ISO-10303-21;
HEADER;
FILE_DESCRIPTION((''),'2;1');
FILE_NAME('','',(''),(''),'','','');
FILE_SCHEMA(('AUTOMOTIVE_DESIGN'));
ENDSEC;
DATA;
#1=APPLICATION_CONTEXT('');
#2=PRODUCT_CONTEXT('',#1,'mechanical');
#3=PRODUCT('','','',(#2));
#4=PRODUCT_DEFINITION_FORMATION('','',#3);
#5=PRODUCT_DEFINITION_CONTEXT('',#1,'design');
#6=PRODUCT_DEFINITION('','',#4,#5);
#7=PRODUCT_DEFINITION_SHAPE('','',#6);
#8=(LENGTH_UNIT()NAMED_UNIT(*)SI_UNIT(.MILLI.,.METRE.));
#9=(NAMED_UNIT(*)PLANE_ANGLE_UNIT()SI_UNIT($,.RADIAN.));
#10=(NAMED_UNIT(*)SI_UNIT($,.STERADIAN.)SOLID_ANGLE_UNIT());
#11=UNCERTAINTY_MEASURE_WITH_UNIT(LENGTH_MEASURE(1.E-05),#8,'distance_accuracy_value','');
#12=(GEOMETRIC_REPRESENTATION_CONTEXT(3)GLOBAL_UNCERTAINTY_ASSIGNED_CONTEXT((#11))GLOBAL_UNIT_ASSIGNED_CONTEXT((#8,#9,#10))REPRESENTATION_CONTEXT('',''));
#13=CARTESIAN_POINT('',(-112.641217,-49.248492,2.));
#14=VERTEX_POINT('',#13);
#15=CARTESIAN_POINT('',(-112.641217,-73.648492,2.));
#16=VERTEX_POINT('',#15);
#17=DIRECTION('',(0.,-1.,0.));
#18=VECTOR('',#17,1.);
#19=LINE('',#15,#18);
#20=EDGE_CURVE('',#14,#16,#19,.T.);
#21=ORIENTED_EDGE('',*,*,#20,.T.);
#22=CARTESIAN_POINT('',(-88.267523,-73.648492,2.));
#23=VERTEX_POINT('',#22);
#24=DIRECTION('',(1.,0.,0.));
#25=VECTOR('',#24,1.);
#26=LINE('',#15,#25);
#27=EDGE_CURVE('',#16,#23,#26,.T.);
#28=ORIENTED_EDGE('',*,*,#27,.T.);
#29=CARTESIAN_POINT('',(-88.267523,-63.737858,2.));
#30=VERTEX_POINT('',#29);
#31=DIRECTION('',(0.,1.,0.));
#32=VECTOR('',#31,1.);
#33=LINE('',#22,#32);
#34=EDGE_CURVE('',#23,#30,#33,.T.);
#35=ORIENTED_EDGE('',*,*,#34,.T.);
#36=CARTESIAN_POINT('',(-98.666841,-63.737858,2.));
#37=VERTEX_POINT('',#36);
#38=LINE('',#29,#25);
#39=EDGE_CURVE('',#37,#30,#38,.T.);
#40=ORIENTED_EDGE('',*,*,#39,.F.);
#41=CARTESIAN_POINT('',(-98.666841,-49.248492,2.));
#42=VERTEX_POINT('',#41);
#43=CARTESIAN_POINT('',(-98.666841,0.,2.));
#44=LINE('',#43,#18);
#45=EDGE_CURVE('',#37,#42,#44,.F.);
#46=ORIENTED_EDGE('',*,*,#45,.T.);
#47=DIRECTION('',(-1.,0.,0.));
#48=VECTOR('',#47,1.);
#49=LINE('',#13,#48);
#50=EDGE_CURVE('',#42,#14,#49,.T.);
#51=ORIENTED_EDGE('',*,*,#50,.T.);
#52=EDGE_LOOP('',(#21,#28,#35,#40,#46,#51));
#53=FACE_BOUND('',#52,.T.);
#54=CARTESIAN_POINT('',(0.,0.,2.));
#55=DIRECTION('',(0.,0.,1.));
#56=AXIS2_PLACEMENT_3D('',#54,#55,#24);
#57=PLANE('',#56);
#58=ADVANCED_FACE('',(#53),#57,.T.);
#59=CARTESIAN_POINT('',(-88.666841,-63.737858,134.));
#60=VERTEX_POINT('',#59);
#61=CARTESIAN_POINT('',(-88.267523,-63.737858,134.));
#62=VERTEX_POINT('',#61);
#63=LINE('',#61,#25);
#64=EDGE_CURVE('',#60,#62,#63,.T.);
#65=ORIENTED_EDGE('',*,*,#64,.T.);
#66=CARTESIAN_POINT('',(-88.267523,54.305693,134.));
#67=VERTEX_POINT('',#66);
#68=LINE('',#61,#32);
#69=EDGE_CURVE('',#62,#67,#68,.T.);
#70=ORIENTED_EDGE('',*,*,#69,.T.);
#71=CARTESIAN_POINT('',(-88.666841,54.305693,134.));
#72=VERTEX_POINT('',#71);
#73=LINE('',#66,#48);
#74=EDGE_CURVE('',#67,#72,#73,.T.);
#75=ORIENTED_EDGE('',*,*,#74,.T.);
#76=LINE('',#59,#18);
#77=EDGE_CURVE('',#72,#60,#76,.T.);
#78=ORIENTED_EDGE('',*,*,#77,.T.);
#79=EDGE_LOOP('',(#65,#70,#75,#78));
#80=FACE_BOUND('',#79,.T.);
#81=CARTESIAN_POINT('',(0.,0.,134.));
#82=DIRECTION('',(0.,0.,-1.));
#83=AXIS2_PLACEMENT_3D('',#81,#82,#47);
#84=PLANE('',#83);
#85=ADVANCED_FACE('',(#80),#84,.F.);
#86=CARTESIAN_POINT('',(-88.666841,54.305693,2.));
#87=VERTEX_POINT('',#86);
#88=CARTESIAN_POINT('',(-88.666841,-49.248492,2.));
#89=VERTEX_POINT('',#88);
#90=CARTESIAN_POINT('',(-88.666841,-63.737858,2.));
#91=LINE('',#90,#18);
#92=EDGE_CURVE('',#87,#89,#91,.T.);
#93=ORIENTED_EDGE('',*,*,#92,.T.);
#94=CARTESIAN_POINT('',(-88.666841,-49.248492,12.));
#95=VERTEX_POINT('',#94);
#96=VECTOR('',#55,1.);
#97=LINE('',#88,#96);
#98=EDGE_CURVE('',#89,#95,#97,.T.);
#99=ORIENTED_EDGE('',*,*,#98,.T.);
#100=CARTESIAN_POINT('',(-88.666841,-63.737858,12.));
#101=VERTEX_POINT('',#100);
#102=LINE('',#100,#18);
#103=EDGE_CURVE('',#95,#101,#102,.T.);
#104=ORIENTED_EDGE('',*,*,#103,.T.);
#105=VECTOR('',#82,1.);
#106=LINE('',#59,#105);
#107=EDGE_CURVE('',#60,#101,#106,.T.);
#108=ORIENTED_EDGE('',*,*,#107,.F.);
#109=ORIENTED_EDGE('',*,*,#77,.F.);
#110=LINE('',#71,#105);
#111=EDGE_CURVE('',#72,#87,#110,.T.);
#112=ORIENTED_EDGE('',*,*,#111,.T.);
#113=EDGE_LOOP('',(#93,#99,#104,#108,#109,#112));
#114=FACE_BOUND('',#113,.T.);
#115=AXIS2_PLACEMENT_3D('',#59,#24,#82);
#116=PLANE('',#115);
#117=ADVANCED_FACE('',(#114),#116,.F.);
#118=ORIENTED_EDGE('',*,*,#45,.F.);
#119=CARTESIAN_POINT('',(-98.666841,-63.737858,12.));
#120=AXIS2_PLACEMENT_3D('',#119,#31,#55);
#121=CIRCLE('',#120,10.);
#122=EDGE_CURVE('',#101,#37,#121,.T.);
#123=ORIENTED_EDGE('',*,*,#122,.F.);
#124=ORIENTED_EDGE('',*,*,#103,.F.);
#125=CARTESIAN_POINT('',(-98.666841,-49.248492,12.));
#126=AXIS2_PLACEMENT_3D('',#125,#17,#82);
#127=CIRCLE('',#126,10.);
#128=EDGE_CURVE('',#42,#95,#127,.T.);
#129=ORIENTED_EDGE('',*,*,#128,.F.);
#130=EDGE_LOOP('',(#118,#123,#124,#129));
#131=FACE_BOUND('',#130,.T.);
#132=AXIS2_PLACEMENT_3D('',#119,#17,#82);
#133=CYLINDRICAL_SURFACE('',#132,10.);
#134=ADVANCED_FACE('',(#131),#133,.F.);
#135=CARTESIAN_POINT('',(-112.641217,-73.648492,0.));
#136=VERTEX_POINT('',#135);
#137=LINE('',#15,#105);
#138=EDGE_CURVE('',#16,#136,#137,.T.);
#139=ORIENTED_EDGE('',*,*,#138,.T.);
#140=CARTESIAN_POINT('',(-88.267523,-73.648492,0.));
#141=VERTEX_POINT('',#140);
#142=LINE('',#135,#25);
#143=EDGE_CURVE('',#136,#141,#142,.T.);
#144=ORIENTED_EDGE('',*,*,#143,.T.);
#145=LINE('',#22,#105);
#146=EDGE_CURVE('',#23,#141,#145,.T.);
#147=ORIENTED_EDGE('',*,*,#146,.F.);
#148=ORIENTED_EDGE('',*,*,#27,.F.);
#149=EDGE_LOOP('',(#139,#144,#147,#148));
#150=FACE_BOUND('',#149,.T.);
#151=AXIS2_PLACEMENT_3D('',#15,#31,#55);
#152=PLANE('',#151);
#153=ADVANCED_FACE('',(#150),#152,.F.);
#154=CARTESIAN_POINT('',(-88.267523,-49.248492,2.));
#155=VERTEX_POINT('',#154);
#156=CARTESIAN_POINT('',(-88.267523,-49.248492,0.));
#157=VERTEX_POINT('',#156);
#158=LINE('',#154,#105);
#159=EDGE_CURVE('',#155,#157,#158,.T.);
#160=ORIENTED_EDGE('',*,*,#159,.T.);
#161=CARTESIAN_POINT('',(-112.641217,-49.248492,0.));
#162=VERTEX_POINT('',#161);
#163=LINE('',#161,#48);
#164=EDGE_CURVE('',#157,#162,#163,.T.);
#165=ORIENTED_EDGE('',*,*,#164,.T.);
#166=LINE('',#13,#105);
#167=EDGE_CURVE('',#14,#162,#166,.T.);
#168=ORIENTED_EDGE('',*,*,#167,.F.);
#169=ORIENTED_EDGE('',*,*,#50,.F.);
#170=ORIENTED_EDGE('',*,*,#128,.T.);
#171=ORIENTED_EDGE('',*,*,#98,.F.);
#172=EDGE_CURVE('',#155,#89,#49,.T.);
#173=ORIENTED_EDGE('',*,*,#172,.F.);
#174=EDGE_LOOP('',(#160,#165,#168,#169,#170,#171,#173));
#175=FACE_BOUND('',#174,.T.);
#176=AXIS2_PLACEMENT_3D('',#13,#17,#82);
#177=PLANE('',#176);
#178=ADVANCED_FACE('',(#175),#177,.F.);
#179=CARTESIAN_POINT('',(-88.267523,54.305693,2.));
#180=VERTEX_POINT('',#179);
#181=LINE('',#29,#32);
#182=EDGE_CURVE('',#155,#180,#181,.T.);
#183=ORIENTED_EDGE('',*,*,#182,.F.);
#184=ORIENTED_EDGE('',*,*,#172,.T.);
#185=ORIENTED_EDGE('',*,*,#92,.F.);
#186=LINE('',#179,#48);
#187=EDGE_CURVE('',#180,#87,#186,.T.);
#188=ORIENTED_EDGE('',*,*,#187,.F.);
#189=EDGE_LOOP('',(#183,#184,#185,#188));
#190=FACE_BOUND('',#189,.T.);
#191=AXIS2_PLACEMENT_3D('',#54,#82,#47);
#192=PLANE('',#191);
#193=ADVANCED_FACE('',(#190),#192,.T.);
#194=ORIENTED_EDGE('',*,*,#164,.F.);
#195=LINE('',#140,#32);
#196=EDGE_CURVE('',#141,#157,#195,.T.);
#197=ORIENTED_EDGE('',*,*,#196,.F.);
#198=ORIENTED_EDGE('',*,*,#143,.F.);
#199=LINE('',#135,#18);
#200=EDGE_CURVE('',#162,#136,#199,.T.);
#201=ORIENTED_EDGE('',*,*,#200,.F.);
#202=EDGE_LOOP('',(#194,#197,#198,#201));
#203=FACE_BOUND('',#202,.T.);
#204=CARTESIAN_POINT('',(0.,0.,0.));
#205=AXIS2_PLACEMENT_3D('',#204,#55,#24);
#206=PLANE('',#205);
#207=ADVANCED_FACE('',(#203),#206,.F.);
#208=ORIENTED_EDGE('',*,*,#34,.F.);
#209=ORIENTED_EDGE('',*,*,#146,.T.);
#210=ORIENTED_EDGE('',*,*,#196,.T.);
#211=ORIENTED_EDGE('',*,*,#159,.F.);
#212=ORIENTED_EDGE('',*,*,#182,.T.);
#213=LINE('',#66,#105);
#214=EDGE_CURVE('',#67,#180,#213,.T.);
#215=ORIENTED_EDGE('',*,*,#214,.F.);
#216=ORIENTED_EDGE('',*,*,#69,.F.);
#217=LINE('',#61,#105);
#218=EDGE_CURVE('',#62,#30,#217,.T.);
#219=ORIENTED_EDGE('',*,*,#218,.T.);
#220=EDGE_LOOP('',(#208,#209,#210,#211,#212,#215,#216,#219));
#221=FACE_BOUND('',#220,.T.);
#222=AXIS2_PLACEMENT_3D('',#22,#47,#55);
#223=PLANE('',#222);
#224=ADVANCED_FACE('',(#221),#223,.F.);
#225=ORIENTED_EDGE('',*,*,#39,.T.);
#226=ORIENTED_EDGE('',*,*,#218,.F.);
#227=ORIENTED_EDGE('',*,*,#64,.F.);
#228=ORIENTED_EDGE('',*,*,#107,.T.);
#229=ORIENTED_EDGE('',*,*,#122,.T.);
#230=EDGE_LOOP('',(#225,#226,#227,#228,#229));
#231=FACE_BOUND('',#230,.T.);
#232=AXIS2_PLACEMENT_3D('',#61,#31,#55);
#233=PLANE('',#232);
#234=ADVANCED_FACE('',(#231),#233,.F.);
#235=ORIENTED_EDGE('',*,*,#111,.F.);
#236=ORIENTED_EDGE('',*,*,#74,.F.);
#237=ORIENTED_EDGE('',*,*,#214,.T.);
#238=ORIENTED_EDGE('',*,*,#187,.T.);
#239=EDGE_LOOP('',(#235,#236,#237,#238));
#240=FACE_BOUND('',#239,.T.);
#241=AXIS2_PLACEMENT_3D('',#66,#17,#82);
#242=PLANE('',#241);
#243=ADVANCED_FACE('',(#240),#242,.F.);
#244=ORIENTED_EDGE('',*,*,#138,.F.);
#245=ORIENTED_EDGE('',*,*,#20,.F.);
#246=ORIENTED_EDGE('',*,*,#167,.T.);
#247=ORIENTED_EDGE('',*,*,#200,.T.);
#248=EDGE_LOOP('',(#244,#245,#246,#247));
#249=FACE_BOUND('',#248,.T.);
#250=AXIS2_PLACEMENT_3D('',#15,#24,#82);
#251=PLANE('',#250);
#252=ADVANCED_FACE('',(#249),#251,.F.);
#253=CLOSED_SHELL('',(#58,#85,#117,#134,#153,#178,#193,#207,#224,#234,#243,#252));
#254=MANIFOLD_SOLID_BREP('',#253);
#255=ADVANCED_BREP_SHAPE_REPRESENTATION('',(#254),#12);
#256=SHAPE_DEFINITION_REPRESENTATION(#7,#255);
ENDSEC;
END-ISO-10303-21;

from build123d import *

# Parameters (mm, degrees)
SKETCH_1_W      = 24.373693789
SKETCH_1_H      = 24.4
EXTRUDE_1_DEPTH = 2
SKETCH_2_W      = 0.399318558
SKETCH_2_H      = 118.043550316
EXTRUDE_2_DEPTH = 132
FILLET_1_R      = 10


with BuildPart() as part:
    # 草图1 → 凸台-拉伸1 (new body)
    with BuildSketch(Plane.XY):
        with Locations((-100.454369689, -61.448491789)):
            Rectangle(SKETCH_1_W, SKETCH_1_H)
    extrude(amount=EXTRUDE_1_DEPTH)

    # 草图2 → 凸台-拉伸2 (add)
    with BuildSketch(Plane.XY.offset(2)):
        with Locations((-88.467182073, -4.716082398)):
            Rectangle(SKETCH_2_W, SKETCH_2_H)
    extrude(amount=EXTRUDE_2_DEPTH)

    # 圆角1
    fillet_1_edges = [part.edges().sort_by_distance(p)[0] for p in [
        (-88.666841352, -56.493174673, 2),
    ]]
    fillet(fillet_1_edges, radius=FILLET_1_R)


solid = part.part
